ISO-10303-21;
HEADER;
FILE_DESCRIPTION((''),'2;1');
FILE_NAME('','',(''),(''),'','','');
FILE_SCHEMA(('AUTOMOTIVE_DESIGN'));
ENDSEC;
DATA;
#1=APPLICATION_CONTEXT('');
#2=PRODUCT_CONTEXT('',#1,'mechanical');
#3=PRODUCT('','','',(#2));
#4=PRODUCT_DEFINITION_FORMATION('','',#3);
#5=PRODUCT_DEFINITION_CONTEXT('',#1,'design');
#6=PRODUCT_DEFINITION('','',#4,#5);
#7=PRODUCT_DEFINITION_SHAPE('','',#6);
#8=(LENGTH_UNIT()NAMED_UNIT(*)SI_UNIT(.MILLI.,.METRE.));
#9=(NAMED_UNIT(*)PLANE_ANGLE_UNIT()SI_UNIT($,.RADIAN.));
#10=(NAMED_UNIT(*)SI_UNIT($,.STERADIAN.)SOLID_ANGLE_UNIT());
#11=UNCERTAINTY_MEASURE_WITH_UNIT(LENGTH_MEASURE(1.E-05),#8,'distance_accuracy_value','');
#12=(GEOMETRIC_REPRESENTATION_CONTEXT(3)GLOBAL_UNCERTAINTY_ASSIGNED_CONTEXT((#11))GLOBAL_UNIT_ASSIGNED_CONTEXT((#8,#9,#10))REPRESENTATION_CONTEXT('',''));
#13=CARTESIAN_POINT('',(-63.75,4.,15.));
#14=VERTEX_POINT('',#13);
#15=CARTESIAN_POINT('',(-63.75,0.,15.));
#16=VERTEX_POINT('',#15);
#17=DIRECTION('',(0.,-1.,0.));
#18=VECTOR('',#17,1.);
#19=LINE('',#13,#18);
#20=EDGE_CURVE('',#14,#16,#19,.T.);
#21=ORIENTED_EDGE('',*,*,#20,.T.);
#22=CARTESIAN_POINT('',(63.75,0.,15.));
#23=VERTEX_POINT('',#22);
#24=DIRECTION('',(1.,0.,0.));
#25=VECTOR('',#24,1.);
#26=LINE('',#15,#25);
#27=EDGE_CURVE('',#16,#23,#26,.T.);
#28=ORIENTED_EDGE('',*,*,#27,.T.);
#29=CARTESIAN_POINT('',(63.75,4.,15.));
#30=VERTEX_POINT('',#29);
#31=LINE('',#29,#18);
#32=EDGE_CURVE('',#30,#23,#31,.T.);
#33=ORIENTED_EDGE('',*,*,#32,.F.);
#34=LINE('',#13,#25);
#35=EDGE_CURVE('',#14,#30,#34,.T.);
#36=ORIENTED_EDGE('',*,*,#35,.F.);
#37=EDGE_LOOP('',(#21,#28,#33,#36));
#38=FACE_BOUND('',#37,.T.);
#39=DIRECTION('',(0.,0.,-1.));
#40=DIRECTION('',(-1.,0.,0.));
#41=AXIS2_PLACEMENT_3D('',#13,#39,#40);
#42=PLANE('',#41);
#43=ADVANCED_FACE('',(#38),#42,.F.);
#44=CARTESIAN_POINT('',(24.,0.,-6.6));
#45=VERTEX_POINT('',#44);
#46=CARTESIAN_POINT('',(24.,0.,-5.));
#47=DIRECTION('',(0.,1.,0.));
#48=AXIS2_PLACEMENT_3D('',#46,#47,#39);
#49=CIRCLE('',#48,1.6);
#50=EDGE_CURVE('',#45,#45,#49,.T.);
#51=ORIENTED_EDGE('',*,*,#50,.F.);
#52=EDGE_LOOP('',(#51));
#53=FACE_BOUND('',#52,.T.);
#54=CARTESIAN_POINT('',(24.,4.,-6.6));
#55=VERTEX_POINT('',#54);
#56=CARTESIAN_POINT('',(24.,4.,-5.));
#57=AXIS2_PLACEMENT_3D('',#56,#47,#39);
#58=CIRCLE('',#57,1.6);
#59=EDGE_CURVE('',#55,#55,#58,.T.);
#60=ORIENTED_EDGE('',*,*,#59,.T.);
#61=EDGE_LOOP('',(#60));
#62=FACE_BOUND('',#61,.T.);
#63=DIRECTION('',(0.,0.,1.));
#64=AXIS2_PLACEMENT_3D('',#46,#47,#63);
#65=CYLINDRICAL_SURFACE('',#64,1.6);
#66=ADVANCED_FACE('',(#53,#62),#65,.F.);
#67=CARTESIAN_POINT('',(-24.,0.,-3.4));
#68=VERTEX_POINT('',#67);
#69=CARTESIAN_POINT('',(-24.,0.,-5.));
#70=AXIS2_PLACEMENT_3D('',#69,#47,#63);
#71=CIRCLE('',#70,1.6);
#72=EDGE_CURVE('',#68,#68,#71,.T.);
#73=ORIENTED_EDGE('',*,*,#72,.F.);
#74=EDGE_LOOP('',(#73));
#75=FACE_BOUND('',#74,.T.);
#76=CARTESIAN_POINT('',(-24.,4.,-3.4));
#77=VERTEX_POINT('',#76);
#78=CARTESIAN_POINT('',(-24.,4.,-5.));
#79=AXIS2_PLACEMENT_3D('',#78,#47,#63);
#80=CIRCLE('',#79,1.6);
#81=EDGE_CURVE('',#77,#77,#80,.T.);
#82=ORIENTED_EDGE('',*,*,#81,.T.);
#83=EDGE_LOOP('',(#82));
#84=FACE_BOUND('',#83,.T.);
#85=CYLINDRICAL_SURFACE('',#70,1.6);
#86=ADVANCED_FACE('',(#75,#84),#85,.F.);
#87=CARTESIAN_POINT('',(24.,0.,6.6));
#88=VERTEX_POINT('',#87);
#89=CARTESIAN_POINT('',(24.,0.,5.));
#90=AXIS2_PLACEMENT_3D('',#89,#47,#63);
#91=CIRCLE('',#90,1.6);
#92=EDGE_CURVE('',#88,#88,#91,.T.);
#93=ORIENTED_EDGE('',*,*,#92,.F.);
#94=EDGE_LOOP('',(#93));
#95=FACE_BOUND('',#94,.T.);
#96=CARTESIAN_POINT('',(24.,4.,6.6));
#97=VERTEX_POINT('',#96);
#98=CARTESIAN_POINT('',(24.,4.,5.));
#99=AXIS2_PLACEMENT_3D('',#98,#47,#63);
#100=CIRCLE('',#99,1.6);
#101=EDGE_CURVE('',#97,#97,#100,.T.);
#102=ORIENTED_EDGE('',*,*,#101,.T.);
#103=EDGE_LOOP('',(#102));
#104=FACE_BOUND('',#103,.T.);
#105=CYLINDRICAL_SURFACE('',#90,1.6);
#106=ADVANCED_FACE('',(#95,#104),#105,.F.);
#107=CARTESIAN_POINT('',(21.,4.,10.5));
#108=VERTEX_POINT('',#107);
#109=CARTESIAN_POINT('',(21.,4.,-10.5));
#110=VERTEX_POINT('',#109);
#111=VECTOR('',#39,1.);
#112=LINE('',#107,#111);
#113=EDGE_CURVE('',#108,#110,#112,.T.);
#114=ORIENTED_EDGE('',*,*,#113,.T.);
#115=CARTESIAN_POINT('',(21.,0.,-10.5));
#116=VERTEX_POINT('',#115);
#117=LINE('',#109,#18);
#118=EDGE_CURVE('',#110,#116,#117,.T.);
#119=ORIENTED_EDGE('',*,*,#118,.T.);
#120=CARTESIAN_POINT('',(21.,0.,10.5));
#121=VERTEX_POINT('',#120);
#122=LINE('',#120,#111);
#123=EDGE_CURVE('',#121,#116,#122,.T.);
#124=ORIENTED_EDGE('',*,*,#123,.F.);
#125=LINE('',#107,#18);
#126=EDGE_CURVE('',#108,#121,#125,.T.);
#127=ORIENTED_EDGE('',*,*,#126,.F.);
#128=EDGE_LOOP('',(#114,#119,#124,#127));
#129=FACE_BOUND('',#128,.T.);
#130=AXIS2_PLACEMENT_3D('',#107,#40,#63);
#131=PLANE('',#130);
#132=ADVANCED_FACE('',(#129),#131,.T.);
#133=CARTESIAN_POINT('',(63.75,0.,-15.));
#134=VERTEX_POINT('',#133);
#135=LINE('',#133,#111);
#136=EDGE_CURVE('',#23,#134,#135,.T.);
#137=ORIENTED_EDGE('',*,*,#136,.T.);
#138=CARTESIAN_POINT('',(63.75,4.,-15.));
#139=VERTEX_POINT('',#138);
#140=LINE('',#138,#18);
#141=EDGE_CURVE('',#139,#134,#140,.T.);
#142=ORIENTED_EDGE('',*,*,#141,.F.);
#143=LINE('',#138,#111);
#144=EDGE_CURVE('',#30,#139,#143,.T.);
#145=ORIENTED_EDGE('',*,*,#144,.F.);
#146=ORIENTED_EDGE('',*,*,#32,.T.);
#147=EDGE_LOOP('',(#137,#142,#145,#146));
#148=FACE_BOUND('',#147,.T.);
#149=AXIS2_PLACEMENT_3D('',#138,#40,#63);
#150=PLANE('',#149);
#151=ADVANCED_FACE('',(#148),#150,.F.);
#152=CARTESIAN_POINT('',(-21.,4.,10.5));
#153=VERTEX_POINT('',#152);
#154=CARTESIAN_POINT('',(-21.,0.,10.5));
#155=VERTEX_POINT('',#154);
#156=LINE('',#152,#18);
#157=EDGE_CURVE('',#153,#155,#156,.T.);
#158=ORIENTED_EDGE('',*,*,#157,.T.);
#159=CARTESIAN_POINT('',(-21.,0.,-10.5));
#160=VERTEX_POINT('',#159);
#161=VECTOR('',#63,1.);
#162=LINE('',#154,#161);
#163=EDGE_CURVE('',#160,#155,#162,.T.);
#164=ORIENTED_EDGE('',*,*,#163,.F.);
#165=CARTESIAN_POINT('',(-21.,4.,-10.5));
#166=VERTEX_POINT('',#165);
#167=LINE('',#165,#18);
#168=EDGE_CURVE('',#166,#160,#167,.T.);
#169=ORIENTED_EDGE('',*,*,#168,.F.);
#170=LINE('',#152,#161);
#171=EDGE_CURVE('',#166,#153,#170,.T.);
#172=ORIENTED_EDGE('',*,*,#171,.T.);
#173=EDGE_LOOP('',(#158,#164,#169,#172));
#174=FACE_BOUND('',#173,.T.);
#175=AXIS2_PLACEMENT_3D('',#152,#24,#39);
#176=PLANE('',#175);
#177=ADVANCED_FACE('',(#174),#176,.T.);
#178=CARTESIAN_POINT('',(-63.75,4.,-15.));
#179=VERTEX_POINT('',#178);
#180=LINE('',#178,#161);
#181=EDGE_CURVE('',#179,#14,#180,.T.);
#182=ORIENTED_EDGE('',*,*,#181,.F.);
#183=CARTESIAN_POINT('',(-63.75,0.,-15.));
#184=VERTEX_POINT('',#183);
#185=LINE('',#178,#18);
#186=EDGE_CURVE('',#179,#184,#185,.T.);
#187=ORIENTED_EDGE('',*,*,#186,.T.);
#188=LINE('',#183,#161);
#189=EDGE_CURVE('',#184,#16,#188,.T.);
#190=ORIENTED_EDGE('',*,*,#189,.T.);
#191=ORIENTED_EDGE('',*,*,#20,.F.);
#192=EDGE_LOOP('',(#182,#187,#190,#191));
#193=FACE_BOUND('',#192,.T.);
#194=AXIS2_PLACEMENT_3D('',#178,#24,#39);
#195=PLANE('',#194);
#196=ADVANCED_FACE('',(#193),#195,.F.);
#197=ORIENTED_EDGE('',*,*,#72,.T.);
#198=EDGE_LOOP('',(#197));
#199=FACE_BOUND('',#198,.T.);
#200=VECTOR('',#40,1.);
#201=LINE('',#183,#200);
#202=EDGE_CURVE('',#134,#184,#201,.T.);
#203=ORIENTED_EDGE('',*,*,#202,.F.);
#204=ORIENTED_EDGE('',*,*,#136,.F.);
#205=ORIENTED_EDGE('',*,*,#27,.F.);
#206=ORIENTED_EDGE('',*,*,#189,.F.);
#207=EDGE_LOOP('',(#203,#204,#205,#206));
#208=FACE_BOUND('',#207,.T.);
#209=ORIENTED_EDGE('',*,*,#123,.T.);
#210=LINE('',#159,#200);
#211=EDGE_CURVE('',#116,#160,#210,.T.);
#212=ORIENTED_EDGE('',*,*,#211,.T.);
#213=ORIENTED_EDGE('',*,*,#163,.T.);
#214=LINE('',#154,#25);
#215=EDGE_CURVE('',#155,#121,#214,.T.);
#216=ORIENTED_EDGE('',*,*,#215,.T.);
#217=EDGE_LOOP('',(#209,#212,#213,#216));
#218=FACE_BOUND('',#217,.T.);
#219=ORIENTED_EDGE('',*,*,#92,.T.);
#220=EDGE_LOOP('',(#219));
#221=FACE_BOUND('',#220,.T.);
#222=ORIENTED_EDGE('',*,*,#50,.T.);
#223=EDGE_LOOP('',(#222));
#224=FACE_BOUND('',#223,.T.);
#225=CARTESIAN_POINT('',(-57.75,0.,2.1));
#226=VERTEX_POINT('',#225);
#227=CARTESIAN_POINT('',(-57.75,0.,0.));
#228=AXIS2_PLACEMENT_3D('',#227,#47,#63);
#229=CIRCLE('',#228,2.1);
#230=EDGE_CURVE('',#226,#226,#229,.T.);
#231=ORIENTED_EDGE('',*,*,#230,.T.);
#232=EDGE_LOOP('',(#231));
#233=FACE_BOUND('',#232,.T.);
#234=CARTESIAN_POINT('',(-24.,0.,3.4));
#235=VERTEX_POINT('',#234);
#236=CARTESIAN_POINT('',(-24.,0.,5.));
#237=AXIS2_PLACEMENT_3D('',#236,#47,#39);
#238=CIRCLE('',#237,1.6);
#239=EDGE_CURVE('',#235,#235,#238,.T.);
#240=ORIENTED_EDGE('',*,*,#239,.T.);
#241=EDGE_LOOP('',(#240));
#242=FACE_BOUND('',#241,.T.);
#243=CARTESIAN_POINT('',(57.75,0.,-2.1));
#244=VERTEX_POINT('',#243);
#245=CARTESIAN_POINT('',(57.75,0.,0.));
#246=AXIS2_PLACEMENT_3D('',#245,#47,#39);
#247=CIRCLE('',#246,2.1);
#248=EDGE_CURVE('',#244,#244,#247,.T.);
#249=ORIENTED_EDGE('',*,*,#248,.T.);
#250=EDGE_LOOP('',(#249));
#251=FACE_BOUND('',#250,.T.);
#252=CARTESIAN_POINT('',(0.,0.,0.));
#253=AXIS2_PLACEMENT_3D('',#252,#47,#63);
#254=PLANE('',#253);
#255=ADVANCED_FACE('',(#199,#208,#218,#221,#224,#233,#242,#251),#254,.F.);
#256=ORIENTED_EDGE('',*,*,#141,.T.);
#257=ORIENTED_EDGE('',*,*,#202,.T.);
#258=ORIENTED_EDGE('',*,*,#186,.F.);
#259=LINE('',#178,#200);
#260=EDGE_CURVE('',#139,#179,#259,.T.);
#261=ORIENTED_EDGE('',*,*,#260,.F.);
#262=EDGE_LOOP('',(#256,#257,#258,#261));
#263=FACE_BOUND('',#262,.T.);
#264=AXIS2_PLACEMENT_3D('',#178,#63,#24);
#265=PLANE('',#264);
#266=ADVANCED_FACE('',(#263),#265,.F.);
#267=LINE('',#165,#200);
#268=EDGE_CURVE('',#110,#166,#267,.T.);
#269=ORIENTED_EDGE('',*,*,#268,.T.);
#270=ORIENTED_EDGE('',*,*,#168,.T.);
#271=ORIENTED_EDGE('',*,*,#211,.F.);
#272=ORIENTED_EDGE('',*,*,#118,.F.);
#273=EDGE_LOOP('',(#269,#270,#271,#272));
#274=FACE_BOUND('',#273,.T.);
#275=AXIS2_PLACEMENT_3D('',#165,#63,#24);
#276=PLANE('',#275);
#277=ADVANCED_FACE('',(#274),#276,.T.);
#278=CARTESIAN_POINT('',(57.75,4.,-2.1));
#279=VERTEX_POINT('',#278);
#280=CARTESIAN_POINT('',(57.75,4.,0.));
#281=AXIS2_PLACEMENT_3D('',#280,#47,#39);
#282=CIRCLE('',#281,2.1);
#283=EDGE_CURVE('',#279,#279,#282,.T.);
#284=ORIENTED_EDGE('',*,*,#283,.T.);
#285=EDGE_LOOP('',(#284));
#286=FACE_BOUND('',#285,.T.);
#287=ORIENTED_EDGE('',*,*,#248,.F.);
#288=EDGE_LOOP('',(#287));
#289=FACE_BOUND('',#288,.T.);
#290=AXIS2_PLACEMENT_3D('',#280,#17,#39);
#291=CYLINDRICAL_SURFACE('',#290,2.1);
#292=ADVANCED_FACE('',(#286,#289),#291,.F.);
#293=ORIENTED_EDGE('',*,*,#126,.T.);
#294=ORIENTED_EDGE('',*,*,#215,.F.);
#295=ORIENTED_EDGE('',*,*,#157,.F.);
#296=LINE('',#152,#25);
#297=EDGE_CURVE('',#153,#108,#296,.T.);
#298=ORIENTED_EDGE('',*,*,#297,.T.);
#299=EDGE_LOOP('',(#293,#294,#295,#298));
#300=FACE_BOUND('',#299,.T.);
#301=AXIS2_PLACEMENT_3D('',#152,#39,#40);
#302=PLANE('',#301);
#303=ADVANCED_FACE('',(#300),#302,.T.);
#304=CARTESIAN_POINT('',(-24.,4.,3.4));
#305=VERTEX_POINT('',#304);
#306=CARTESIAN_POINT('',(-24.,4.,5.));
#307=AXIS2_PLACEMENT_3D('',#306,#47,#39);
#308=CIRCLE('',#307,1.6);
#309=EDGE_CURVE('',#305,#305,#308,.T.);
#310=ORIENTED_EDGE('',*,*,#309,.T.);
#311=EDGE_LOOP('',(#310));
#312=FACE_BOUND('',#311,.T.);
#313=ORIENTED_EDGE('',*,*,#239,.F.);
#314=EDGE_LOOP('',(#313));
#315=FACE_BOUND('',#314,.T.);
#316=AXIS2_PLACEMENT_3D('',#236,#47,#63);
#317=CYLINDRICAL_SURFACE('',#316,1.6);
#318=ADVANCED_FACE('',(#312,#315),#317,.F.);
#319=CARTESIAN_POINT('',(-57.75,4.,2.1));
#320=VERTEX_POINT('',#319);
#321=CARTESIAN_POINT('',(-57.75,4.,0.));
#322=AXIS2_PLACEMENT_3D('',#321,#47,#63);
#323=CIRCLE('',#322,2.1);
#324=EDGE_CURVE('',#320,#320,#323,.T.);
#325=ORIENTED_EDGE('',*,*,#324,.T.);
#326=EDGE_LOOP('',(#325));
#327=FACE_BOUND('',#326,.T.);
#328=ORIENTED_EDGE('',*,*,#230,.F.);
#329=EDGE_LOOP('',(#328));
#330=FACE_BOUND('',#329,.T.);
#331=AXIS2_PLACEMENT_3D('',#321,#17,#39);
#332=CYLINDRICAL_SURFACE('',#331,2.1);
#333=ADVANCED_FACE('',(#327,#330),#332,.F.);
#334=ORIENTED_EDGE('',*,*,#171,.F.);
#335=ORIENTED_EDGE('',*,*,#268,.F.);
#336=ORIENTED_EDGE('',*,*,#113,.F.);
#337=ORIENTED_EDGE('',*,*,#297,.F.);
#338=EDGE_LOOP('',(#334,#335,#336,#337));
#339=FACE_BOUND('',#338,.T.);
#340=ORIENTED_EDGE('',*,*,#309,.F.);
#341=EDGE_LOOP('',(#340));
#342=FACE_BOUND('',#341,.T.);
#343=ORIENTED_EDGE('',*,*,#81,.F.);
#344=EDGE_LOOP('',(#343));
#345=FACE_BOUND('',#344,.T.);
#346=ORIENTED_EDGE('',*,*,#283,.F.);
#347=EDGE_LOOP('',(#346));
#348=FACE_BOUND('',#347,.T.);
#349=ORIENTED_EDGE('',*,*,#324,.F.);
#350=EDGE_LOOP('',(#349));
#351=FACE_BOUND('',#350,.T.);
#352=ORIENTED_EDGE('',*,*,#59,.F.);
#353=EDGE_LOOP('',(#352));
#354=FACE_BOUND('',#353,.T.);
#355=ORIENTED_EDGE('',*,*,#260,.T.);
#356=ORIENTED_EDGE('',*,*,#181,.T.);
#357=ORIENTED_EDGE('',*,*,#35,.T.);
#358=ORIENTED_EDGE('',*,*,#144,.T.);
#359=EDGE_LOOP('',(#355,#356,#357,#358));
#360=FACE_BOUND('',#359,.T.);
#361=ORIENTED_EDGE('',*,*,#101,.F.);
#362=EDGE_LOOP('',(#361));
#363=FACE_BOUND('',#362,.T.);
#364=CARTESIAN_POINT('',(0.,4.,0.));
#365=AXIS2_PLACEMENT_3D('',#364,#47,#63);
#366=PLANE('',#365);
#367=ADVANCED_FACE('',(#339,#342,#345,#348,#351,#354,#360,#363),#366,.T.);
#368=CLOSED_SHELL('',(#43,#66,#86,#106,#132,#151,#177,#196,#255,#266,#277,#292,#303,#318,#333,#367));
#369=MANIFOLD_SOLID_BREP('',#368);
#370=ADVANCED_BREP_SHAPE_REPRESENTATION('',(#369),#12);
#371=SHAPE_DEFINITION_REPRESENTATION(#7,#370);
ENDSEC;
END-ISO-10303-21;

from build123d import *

# Parameters (mm, degrees)
SKETCH1_W           = 127.5
SKETCH1_H           = 30
SKETCH1_R           = 2.1
SKETCH1_W_2         = 42
SKETCH1_H_2         = 21
BOSS_EXTRUDE1_DEPTH = 4
SKETCH2_R           = 1.6
CUT_EXTRUDE1_DEPTH  = 66.612975089


with BuildPart() as part:
    # Sketch1 → Boss-Extrude1 (new body)
    with BuildSketch(Plane(origin=(0, 0, 0), x_dir=(1, 0, 0), z_dir=(0, 1, 0))):
        Rectangle(SKETCH1_W, SKETCH1_H)
        with Locations(Location((-57.75, 0, 0), (0, 0, 270))):
            Circle(SKETCH1_R, mode=Mode.SUBTRACT)
        with Locations(Location((57.75, 0, 0), (0, 0, 90))):
            Circle(SKETCH1_R, mode=Mode.SUBTRACT)
        Rectangle(SKETCH1_W_2, SKETCH1_H_2, mode=Mode.SUBTRACT)
    extrude(amount=BOSS_EXTRUDE1_DEPTH)

    # Sketch2 → Cut-Extrude1 (cut, through all)
    with BuildSketch(Plane(origin=(0, 4, 0), x_dir=(1, 0, 0), z_dir=(0, 1, 0))):
        with Locations(Location((-24, 5, 0), (0, 0, 270))):
            Circle(SKETCH2_R)
        with Locations(Location((-24, -5, 0), (0, 0, 90))):
            Circle(SKETCH2_R)
        with Locations(Location((24, -5, 0), (0, 0, 270))):
            Circle(SKETCH2_R)
        with Locations(Location((24, 5, 0), (0, 0, 90))):
            Circle(SKETCH2_R)
    extrude(amount=-CUT_EXTRUDE1_DEPTH, mode=Mode.SUBTRACT)


solid = part.part
